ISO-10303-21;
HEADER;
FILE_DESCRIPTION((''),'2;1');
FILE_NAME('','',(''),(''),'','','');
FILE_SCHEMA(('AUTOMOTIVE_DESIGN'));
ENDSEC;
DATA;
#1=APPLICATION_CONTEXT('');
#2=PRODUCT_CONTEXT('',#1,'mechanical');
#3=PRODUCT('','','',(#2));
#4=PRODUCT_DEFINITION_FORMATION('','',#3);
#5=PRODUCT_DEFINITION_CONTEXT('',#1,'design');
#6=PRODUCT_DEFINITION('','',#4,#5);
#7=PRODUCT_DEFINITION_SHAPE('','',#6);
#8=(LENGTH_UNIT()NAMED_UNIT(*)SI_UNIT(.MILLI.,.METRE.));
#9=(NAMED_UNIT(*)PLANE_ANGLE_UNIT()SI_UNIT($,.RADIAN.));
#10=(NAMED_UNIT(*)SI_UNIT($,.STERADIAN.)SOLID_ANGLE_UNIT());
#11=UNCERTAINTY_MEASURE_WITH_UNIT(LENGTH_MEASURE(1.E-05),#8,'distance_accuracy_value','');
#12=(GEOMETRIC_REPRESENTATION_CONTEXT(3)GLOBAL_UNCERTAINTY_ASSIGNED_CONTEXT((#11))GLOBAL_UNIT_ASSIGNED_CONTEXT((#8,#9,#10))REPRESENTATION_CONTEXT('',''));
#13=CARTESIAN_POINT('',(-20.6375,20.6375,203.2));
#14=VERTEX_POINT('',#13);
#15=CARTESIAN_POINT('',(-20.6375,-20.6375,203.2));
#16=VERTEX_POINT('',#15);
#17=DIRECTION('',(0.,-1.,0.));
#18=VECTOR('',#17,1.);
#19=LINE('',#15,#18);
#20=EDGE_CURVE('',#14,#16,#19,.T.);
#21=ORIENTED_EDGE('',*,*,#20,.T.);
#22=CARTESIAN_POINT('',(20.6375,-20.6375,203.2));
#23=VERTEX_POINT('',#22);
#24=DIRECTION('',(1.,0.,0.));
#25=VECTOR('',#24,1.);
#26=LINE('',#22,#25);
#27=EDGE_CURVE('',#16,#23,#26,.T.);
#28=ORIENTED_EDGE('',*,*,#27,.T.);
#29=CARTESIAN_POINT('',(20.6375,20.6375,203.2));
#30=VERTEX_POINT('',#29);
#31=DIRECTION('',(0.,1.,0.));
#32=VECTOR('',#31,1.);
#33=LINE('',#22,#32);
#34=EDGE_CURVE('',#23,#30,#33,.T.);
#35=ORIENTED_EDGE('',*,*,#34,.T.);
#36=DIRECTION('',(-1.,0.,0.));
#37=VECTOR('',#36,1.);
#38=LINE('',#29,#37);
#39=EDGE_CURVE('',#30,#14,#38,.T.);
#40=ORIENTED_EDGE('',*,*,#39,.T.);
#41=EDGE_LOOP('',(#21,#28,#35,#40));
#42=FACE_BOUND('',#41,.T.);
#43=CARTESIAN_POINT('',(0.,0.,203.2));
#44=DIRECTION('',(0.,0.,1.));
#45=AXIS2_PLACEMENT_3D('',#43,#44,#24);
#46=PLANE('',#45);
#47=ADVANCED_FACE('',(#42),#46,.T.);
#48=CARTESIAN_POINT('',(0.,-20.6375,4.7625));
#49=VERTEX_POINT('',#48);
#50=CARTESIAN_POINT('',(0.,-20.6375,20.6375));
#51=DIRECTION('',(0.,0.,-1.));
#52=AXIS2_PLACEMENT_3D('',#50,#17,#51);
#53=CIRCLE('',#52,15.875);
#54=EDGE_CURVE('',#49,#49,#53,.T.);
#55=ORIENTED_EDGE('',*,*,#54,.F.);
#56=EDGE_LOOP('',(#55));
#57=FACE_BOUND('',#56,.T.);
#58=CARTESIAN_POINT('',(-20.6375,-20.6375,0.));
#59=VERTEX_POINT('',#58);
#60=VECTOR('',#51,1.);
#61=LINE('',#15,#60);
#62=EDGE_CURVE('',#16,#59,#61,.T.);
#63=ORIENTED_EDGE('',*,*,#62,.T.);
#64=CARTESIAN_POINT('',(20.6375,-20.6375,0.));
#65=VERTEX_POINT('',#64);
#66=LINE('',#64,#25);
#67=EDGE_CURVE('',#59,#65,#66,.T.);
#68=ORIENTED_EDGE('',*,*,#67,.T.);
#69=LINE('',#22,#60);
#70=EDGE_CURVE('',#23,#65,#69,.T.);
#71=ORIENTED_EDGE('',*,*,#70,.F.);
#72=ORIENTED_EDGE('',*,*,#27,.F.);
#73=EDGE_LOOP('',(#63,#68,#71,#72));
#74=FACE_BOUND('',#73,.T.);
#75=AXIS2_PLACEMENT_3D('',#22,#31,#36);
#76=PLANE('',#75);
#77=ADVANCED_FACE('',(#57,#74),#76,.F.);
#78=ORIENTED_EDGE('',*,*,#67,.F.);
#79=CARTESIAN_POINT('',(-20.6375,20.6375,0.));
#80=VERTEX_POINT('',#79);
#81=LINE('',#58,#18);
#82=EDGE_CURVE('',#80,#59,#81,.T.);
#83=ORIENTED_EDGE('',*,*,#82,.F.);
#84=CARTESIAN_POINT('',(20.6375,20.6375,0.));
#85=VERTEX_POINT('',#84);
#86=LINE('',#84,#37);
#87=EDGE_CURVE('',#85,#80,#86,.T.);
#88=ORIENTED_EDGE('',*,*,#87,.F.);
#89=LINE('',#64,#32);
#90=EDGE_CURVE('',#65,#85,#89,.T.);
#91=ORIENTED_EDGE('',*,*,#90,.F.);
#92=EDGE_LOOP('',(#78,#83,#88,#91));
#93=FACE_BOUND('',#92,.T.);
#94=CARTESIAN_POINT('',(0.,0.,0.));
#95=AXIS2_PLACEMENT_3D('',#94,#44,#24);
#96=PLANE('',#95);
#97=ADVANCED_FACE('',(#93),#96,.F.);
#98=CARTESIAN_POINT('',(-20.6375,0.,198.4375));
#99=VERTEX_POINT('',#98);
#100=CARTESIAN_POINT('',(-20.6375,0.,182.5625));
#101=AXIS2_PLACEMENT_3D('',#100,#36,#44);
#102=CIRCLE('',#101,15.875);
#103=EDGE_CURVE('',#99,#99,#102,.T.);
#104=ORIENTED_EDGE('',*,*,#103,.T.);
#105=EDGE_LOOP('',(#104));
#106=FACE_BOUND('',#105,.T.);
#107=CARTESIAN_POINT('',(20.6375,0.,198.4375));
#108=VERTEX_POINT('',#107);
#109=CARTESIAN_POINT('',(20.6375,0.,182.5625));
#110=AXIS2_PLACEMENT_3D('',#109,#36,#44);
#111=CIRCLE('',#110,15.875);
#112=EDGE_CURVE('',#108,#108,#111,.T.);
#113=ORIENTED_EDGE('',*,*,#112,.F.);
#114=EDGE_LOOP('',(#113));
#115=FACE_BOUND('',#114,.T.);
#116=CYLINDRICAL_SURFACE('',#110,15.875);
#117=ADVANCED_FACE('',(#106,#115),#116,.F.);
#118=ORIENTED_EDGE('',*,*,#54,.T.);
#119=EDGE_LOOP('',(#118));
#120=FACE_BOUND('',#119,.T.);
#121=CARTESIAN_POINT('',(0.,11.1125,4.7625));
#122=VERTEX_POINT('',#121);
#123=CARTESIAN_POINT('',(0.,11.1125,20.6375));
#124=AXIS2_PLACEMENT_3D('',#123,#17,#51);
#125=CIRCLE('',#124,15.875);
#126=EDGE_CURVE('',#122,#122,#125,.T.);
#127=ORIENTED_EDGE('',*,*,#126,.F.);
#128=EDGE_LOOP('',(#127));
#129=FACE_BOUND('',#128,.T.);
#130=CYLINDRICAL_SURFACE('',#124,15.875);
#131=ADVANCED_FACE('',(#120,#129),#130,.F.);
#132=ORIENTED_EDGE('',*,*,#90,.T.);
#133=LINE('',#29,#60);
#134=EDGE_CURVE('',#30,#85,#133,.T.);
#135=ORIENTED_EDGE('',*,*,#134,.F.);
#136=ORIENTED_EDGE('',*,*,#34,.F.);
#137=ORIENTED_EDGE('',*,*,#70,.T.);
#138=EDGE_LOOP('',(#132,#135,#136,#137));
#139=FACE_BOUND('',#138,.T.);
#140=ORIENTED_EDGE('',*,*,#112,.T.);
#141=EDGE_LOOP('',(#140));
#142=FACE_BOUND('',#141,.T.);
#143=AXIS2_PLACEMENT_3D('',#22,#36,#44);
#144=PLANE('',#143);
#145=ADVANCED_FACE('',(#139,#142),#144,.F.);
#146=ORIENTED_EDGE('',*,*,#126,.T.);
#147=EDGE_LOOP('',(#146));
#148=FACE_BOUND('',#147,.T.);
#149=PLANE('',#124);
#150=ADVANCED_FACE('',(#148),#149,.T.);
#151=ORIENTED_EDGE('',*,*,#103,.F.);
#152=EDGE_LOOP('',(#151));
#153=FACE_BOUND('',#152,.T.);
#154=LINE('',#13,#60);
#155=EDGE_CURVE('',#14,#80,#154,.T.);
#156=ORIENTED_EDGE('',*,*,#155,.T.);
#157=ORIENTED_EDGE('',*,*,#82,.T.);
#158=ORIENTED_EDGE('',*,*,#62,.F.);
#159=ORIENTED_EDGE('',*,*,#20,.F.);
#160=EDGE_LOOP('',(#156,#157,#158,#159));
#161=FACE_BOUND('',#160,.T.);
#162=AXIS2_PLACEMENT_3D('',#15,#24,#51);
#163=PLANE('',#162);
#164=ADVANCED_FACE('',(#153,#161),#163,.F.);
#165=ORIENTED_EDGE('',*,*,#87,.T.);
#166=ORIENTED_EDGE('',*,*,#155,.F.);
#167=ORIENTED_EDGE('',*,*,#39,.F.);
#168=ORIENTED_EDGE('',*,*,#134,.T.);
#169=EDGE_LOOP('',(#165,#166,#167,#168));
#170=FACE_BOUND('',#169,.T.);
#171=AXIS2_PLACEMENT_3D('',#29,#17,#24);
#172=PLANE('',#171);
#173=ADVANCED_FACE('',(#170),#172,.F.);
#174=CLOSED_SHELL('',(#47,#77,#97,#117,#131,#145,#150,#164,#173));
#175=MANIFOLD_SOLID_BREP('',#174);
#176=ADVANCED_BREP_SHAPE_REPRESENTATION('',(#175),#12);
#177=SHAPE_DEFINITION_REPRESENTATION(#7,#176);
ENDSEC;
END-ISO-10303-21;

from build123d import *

# Parameters (mm, degrees)
SKETCH1_W           = 41.275
SKETCH1_H           = 41.275
BOSS_EXTRUDE1_DEPTH = 203.2
SKETCH3_R           = 15.875
CUT_EXTRUDE2_DEPTH  = 31.75
SKETCH4_R           = 15.875
CUT_EXTRUDE3_DEPTH  = 209.37411555


with BuildPart() as part:
    # Sketch1 → Boss-Extrude1 (new body)
    with BuildSketch(Plane.XY):
        Rectangle(SKETCH1_W, SKETCH1_H)
    extrude(amount=BOSS_EXTRUDE1_DEPTH)

    # Sketch3 → Cut-Extrude2 (cut)
    with BuildSketch(Plane.XZ.offset(20.6375)):
        with Locations(Location((0, 20.6375, 0), (0, 0, 270))):
            Circle(SKETCH3_R)
    extrude(amount=-CUT_EXTRUDE2_DEPTH, mode=Mode.SUBTRACT)

    # Sketch4 → Cut-Extrude3 (cut, through all)
    with BuildSketch(Plane.ZY.offset(20.6375)):
        with Locations((182.5625, 0)):
            Circle(SKETCH4_R)
    extrude(amount=-CUT_EXTRUDE3_DEPTH, mode=Mode.SUBTRACT)


solid = part.part
